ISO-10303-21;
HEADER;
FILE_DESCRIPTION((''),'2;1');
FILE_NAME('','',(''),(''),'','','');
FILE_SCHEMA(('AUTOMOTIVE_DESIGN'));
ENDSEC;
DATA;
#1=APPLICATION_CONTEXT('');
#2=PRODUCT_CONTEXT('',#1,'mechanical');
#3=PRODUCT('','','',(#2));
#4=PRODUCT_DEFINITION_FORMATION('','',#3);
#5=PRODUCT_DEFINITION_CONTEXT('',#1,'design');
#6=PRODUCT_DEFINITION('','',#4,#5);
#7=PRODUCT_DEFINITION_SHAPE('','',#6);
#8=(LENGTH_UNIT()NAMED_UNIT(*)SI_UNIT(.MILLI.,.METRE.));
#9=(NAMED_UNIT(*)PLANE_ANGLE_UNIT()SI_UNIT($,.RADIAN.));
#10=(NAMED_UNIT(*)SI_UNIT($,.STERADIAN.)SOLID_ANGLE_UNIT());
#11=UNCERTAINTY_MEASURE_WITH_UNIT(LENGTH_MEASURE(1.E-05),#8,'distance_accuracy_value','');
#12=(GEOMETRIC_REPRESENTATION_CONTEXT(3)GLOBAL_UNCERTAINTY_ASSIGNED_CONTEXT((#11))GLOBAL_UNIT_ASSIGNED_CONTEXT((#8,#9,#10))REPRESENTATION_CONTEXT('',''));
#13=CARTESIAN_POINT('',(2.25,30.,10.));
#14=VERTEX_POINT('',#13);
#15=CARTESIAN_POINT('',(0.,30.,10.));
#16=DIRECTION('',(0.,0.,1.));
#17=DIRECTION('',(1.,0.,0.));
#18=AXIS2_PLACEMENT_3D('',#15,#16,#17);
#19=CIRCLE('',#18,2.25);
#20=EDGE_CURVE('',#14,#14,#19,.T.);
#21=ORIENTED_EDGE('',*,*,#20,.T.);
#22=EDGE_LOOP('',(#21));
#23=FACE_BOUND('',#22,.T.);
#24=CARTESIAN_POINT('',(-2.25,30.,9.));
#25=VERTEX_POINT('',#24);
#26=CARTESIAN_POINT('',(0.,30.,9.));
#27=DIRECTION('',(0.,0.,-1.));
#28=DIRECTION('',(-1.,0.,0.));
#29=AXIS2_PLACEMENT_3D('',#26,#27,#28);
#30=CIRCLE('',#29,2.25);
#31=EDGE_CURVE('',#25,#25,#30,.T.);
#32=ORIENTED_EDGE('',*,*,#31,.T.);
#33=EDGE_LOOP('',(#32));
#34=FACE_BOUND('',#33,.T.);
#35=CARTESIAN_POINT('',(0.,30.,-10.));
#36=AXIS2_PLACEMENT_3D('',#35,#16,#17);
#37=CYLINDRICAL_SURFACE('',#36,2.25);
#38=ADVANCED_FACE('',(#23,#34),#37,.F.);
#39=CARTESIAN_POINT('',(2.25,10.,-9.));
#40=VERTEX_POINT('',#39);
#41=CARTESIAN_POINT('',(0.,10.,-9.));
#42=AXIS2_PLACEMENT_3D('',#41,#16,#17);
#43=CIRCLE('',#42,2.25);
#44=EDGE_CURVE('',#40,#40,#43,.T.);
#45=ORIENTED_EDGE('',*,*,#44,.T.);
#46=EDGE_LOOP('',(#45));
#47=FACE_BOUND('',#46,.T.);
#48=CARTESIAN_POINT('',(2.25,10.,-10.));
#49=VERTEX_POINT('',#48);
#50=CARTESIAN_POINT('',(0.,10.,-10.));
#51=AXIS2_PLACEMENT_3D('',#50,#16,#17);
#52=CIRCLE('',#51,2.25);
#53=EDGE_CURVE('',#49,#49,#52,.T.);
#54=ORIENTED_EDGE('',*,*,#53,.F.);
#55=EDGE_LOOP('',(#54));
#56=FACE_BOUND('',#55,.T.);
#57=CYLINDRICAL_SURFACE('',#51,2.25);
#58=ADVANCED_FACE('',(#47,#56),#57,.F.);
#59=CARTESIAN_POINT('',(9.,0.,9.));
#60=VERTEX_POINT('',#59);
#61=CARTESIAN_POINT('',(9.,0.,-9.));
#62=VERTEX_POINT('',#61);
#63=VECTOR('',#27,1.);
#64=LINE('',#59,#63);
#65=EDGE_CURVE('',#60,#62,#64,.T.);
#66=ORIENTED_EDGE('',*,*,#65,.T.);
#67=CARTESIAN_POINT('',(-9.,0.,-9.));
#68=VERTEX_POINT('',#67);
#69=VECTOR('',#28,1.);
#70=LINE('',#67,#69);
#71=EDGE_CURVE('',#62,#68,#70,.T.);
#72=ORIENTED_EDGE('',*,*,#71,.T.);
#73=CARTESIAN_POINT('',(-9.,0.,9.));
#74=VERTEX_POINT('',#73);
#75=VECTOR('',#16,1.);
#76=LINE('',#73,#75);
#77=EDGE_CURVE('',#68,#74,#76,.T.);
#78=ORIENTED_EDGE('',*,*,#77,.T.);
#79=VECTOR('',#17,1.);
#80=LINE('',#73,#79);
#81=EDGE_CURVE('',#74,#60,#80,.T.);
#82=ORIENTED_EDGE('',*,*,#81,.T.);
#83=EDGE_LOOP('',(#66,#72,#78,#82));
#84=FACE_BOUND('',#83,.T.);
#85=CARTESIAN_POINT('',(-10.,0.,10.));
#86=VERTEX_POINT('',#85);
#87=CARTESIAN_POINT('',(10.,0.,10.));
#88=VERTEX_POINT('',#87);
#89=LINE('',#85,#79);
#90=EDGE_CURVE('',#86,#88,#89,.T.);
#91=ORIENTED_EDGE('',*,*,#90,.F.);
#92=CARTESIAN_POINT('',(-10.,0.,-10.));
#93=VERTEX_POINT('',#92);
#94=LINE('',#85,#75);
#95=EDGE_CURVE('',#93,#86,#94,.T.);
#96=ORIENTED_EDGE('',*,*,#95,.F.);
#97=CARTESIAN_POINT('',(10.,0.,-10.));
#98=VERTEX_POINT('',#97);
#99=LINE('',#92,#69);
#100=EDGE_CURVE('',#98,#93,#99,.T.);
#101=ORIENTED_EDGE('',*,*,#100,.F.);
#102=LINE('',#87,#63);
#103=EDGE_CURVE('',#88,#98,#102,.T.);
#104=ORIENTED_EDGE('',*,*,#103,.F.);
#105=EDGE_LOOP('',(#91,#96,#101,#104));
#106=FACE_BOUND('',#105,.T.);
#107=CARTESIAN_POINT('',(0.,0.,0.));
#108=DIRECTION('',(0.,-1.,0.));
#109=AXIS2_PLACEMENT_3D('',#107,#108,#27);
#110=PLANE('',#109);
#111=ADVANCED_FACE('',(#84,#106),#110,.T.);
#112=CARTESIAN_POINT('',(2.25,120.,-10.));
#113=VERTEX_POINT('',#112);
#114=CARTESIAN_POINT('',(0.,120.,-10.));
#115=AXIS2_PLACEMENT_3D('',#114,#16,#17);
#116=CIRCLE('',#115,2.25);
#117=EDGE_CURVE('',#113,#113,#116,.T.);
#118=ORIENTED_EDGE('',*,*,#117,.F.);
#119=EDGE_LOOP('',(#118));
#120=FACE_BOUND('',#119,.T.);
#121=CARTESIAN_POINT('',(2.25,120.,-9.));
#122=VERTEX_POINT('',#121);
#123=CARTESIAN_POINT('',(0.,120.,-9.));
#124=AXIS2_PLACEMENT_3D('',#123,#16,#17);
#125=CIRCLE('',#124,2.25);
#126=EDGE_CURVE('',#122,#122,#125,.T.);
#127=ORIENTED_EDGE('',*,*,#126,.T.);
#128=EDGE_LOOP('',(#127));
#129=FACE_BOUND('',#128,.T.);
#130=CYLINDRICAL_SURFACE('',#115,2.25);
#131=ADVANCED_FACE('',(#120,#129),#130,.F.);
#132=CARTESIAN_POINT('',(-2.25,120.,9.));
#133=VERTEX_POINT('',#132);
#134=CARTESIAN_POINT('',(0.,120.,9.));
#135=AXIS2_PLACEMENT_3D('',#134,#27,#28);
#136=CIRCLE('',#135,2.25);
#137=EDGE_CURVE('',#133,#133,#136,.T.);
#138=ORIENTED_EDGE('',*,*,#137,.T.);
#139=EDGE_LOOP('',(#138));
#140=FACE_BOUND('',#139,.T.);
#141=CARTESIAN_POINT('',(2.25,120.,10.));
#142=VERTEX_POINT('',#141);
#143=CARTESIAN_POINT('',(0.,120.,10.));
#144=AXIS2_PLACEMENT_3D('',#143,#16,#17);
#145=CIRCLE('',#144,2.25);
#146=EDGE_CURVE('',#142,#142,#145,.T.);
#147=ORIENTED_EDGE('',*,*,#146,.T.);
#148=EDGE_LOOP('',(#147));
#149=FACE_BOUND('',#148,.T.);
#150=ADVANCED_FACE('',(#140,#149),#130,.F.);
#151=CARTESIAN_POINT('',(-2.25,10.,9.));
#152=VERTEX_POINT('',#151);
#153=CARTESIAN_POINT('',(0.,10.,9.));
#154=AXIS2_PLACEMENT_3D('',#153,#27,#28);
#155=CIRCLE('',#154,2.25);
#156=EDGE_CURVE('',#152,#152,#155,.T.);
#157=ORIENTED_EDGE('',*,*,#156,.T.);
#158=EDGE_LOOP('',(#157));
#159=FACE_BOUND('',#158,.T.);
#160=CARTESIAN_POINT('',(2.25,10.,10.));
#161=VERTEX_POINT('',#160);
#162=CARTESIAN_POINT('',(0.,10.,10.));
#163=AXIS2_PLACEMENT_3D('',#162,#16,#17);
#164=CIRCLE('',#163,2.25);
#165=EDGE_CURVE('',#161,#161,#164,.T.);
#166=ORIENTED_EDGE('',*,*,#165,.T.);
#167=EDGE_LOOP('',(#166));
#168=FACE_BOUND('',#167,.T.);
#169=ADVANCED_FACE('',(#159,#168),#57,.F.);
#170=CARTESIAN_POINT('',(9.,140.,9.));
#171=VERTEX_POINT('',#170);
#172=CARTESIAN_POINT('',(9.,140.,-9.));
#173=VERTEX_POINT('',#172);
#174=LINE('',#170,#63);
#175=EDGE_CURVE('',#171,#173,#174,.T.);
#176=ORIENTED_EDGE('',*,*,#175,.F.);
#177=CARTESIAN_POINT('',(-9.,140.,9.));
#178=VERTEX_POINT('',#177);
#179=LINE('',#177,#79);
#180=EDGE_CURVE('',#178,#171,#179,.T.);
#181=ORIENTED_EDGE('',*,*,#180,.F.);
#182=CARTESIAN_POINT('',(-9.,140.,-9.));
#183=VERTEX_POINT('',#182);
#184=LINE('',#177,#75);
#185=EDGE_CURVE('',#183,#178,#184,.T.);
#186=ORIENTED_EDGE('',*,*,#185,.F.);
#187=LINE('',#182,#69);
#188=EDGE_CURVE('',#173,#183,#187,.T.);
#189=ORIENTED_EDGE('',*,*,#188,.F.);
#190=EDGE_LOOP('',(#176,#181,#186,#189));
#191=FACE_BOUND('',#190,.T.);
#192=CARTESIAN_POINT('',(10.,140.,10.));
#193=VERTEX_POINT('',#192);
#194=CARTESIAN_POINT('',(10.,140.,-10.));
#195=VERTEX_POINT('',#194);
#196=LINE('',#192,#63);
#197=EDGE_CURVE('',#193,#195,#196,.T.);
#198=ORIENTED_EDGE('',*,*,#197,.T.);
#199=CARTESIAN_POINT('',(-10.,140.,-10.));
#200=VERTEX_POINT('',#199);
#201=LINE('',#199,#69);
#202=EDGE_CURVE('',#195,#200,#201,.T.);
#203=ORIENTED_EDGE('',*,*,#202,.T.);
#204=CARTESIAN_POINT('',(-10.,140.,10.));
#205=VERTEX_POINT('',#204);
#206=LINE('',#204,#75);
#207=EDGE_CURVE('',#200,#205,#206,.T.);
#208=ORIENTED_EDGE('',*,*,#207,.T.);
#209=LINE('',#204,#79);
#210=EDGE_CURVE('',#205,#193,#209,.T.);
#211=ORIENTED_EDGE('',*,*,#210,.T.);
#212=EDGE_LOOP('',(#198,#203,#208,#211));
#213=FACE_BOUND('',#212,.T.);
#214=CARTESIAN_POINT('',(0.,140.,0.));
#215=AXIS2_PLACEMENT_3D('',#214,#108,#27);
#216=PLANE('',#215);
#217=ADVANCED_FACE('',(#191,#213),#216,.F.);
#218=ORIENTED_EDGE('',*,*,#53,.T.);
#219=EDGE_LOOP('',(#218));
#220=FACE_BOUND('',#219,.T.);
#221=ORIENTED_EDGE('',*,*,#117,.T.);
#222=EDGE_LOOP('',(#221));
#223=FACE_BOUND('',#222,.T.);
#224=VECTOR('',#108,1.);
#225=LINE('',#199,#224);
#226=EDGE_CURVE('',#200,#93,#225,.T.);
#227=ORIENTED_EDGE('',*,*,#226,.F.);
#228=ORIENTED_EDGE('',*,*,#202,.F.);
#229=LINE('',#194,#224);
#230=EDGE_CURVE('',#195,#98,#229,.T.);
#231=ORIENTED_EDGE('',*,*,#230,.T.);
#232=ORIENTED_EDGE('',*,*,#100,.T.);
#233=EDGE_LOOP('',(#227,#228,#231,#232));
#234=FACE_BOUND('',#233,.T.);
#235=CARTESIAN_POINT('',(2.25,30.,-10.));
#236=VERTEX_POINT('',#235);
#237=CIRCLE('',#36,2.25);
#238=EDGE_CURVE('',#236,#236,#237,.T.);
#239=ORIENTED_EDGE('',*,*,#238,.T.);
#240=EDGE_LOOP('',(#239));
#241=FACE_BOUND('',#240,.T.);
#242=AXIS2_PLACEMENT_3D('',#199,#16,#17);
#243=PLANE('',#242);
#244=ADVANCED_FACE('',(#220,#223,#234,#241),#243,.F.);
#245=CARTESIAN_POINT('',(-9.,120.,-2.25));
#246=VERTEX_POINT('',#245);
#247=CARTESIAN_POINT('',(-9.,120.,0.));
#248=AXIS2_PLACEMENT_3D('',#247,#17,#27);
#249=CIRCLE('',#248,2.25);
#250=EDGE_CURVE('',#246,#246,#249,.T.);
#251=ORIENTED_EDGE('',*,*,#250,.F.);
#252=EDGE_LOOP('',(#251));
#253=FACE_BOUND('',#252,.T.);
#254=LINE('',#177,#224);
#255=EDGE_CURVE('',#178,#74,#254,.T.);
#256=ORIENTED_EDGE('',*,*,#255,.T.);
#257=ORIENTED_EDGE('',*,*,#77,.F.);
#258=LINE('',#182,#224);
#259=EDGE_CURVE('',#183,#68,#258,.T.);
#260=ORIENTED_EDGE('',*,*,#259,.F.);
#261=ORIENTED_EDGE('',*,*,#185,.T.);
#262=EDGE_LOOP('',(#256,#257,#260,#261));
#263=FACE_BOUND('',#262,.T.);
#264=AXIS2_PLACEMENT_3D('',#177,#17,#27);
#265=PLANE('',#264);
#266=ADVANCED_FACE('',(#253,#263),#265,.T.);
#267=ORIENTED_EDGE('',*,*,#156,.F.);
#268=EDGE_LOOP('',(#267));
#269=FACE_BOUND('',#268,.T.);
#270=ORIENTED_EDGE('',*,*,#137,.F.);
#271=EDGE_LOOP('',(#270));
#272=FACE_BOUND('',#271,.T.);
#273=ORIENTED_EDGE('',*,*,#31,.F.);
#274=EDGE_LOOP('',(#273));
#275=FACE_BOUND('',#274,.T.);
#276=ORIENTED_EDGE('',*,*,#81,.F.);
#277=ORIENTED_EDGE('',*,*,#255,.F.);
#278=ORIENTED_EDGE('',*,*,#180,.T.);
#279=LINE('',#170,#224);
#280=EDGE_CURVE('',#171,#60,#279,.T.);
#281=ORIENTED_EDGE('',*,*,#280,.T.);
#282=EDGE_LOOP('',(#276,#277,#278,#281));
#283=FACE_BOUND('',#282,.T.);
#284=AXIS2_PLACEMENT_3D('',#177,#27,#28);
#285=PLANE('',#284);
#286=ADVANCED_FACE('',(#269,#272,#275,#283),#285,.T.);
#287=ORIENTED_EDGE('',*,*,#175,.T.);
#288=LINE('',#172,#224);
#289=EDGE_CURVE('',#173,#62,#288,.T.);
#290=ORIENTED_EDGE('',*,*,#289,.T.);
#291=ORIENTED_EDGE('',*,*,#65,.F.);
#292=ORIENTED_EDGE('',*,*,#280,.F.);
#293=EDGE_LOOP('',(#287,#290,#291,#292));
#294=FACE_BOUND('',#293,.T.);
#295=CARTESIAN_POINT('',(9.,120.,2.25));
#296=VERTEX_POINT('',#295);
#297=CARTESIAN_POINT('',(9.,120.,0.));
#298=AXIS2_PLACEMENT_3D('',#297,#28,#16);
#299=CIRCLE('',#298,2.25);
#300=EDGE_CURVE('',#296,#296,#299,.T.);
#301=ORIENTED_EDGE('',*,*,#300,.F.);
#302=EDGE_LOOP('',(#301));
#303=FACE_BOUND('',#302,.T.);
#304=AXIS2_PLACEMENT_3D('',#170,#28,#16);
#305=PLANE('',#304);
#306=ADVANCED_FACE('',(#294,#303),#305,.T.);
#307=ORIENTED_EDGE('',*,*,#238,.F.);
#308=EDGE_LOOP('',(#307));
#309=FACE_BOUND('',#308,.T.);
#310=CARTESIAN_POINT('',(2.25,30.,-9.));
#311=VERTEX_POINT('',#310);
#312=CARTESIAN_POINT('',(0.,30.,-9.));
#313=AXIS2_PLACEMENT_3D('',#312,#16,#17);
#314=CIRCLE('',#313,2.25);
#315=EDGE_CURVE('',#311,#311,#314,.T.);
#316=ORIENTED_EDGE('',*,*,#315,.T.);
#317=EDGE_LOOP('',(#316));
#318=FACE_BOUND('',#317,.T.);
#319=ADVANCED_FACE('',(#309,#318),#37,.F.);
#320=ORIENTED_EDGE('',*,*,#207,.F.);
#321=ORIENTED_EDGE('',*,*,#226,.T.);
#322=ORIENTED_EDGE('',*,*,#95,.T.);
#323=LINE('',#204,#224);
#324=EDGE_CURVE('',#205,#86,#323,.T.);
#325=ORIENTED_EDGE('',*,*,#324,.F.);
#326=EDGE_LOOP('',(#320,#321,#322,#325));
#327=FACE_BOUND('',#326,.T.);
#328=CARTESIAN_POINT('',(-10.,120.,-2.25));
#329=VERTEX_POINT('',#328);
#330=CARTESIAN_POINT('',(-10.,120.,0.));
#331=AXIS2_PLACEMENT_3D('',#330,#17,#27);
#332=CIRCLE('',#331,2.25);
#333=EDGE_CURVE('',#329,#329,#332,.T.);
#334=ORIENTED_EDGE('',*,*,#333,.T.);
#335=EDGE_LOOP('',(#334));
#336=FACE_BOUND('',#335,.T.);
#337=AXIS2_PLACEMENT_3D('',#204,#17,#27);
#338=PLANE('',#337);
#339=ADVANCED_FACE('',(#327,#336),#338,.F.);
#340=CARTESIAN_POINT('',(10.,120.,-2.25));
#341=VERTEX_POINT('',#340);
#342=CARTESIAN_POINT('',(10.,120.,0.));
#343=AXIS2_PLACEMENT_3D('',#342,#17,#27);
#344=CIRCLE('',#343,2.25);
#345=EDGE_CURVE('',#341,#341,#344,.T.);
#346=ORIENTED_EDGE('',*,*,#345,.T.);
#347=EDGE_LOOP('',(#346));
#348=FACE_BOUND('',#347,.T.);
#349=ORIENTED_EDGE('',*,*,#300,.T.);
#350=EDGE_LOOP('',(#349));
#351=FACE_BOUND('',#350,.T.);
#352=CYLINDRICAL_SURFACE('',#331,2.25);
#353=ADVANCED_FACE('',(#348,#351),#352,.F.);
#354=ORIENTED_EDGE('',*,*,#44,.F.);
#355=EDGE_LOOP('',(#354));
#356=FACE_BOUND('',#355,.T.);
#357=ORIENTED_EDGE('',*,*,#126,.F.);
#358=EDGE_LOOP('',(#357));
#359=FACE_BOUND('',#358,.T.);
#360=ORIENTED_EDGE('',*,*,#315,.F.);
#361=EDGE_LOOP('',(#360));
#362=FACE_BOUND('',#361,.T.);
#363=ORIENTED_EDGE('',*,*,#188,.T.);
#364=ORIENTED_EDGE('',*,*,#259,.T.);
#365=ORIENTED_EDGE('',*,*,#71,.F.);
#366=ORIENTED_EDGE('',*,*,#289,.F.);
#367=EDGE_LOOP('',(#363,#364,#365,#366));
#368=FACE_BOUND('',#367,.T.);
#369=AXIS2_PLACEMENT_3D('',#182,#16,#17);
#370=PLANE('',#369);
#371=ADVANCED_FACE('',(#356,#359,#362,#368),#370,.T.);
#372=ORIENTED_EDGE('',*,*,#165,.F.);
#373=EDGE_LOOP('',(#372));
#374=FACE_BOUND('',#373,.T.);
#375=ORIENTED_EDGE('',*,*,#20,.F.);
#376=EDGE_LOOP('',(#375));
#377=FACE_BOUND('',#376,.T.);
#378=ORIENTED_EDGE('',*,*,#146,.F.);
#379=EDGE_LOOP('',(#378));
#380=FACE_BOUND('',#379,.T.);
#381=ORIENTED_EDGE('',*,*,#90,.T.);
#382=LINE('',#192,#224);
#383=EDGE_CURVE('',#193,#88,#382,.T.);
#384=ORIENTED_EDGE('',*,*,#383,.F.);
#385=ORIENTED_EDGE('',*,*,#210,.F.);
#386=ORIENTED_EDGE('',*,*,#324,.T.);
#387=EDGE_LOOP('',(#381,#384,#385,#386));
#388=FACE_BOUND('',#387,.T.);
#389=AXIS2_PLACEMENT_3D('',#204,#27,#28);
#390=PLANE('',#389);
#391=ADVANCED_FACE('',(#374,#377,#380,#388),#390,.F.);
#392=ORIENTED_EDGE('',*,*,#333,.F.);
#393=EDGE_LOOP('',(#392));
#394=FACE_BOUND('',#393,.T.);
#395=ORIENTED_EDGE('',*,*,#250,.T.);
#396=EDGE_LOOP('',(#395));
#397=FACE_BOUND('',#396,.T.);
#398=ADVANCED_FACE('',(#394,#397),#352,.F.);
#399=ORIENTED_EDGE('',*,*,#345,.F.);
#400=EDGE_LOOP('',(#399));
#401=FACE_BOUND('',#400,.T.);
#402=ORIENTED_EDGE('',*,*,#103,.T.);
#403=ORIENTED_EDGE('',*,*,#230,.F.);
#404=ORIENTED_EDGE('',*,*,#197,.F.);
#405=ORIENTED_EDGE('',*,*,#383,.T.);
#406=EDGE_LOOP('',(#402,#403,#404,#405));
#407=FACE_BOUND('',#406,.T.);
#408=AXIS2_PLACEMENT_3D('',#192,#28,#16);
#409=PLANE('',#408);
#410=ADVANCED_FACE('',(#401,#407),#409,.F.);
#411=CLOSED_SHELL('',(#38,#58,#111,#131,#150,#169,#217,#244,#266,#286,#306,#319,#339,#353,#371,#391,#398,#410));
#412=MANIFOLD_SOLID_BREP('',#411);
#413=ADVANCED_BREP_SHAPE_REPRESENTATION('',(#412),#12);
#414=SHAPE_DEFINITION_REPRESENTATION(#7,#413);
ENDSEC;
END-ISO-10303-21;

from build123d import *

# Parameters (mm, degrees)
SKETCH1_W           = 20
SKETCH1_H           = 20
SKETCH1_W_2         = 18
SKETCH1_H_2         = 18
BOSS_EXTRUDE1_DEPTH = 140
SKETCH2_R           = 2.25
CUT_EXTRUDE1_DEPTH  = 142.774468788
SKETCH3_R           = 2.25
CUT_EXTRUDE2_DEPTH  = 142.774468788


with BuildPart() as part:
    # Sketch1 → Boss-Extrude1 (new body)
    with BuildSketch(Plane(origin=(0, 0, 0), x_dir=(1, 0, 0), z_dir=(0, 1, 0))):
        Rectangle(SKETCH1_W, SKETCH1_H)
        Rectangle(SKETCH1_W_2, SKETCH1_H_2, mode=Mode.SUBTRACT)
    extrude(amount=BOSS_EXTRUDE1_DEPTH)

    # Sketch2 → Cut-Extrude1 (cut, through all)
    with BuildSketch(Plane.XY.offset(10)):
        with Locations((0, 10)):
            Circle(SKETCH2_R)
        with Locations((0, 30)):
            Circle(SKETCH2_R)
        with Locations((0, 120)):
            Circle(SKETCH2_R)
    extrude(amount=-CUT_EXTRUDE1_DEPTH, mode=Mode.SUBTRACT)

    # Sketch3 → Cut-Extrude2 (cut, through all)
    with BuildSketch(Plane(origin=(10, 0, 0), x_dir=(0, 0, -1), z_dir=(1, 0, 0))):
        with Locations((0, 120)):
            Circle(SKETCH3_R)
    extrude(amount=-CUT_EXTRUDE2_DEPTH, mode=Mode.SUBTRACT)


solid = part.part
